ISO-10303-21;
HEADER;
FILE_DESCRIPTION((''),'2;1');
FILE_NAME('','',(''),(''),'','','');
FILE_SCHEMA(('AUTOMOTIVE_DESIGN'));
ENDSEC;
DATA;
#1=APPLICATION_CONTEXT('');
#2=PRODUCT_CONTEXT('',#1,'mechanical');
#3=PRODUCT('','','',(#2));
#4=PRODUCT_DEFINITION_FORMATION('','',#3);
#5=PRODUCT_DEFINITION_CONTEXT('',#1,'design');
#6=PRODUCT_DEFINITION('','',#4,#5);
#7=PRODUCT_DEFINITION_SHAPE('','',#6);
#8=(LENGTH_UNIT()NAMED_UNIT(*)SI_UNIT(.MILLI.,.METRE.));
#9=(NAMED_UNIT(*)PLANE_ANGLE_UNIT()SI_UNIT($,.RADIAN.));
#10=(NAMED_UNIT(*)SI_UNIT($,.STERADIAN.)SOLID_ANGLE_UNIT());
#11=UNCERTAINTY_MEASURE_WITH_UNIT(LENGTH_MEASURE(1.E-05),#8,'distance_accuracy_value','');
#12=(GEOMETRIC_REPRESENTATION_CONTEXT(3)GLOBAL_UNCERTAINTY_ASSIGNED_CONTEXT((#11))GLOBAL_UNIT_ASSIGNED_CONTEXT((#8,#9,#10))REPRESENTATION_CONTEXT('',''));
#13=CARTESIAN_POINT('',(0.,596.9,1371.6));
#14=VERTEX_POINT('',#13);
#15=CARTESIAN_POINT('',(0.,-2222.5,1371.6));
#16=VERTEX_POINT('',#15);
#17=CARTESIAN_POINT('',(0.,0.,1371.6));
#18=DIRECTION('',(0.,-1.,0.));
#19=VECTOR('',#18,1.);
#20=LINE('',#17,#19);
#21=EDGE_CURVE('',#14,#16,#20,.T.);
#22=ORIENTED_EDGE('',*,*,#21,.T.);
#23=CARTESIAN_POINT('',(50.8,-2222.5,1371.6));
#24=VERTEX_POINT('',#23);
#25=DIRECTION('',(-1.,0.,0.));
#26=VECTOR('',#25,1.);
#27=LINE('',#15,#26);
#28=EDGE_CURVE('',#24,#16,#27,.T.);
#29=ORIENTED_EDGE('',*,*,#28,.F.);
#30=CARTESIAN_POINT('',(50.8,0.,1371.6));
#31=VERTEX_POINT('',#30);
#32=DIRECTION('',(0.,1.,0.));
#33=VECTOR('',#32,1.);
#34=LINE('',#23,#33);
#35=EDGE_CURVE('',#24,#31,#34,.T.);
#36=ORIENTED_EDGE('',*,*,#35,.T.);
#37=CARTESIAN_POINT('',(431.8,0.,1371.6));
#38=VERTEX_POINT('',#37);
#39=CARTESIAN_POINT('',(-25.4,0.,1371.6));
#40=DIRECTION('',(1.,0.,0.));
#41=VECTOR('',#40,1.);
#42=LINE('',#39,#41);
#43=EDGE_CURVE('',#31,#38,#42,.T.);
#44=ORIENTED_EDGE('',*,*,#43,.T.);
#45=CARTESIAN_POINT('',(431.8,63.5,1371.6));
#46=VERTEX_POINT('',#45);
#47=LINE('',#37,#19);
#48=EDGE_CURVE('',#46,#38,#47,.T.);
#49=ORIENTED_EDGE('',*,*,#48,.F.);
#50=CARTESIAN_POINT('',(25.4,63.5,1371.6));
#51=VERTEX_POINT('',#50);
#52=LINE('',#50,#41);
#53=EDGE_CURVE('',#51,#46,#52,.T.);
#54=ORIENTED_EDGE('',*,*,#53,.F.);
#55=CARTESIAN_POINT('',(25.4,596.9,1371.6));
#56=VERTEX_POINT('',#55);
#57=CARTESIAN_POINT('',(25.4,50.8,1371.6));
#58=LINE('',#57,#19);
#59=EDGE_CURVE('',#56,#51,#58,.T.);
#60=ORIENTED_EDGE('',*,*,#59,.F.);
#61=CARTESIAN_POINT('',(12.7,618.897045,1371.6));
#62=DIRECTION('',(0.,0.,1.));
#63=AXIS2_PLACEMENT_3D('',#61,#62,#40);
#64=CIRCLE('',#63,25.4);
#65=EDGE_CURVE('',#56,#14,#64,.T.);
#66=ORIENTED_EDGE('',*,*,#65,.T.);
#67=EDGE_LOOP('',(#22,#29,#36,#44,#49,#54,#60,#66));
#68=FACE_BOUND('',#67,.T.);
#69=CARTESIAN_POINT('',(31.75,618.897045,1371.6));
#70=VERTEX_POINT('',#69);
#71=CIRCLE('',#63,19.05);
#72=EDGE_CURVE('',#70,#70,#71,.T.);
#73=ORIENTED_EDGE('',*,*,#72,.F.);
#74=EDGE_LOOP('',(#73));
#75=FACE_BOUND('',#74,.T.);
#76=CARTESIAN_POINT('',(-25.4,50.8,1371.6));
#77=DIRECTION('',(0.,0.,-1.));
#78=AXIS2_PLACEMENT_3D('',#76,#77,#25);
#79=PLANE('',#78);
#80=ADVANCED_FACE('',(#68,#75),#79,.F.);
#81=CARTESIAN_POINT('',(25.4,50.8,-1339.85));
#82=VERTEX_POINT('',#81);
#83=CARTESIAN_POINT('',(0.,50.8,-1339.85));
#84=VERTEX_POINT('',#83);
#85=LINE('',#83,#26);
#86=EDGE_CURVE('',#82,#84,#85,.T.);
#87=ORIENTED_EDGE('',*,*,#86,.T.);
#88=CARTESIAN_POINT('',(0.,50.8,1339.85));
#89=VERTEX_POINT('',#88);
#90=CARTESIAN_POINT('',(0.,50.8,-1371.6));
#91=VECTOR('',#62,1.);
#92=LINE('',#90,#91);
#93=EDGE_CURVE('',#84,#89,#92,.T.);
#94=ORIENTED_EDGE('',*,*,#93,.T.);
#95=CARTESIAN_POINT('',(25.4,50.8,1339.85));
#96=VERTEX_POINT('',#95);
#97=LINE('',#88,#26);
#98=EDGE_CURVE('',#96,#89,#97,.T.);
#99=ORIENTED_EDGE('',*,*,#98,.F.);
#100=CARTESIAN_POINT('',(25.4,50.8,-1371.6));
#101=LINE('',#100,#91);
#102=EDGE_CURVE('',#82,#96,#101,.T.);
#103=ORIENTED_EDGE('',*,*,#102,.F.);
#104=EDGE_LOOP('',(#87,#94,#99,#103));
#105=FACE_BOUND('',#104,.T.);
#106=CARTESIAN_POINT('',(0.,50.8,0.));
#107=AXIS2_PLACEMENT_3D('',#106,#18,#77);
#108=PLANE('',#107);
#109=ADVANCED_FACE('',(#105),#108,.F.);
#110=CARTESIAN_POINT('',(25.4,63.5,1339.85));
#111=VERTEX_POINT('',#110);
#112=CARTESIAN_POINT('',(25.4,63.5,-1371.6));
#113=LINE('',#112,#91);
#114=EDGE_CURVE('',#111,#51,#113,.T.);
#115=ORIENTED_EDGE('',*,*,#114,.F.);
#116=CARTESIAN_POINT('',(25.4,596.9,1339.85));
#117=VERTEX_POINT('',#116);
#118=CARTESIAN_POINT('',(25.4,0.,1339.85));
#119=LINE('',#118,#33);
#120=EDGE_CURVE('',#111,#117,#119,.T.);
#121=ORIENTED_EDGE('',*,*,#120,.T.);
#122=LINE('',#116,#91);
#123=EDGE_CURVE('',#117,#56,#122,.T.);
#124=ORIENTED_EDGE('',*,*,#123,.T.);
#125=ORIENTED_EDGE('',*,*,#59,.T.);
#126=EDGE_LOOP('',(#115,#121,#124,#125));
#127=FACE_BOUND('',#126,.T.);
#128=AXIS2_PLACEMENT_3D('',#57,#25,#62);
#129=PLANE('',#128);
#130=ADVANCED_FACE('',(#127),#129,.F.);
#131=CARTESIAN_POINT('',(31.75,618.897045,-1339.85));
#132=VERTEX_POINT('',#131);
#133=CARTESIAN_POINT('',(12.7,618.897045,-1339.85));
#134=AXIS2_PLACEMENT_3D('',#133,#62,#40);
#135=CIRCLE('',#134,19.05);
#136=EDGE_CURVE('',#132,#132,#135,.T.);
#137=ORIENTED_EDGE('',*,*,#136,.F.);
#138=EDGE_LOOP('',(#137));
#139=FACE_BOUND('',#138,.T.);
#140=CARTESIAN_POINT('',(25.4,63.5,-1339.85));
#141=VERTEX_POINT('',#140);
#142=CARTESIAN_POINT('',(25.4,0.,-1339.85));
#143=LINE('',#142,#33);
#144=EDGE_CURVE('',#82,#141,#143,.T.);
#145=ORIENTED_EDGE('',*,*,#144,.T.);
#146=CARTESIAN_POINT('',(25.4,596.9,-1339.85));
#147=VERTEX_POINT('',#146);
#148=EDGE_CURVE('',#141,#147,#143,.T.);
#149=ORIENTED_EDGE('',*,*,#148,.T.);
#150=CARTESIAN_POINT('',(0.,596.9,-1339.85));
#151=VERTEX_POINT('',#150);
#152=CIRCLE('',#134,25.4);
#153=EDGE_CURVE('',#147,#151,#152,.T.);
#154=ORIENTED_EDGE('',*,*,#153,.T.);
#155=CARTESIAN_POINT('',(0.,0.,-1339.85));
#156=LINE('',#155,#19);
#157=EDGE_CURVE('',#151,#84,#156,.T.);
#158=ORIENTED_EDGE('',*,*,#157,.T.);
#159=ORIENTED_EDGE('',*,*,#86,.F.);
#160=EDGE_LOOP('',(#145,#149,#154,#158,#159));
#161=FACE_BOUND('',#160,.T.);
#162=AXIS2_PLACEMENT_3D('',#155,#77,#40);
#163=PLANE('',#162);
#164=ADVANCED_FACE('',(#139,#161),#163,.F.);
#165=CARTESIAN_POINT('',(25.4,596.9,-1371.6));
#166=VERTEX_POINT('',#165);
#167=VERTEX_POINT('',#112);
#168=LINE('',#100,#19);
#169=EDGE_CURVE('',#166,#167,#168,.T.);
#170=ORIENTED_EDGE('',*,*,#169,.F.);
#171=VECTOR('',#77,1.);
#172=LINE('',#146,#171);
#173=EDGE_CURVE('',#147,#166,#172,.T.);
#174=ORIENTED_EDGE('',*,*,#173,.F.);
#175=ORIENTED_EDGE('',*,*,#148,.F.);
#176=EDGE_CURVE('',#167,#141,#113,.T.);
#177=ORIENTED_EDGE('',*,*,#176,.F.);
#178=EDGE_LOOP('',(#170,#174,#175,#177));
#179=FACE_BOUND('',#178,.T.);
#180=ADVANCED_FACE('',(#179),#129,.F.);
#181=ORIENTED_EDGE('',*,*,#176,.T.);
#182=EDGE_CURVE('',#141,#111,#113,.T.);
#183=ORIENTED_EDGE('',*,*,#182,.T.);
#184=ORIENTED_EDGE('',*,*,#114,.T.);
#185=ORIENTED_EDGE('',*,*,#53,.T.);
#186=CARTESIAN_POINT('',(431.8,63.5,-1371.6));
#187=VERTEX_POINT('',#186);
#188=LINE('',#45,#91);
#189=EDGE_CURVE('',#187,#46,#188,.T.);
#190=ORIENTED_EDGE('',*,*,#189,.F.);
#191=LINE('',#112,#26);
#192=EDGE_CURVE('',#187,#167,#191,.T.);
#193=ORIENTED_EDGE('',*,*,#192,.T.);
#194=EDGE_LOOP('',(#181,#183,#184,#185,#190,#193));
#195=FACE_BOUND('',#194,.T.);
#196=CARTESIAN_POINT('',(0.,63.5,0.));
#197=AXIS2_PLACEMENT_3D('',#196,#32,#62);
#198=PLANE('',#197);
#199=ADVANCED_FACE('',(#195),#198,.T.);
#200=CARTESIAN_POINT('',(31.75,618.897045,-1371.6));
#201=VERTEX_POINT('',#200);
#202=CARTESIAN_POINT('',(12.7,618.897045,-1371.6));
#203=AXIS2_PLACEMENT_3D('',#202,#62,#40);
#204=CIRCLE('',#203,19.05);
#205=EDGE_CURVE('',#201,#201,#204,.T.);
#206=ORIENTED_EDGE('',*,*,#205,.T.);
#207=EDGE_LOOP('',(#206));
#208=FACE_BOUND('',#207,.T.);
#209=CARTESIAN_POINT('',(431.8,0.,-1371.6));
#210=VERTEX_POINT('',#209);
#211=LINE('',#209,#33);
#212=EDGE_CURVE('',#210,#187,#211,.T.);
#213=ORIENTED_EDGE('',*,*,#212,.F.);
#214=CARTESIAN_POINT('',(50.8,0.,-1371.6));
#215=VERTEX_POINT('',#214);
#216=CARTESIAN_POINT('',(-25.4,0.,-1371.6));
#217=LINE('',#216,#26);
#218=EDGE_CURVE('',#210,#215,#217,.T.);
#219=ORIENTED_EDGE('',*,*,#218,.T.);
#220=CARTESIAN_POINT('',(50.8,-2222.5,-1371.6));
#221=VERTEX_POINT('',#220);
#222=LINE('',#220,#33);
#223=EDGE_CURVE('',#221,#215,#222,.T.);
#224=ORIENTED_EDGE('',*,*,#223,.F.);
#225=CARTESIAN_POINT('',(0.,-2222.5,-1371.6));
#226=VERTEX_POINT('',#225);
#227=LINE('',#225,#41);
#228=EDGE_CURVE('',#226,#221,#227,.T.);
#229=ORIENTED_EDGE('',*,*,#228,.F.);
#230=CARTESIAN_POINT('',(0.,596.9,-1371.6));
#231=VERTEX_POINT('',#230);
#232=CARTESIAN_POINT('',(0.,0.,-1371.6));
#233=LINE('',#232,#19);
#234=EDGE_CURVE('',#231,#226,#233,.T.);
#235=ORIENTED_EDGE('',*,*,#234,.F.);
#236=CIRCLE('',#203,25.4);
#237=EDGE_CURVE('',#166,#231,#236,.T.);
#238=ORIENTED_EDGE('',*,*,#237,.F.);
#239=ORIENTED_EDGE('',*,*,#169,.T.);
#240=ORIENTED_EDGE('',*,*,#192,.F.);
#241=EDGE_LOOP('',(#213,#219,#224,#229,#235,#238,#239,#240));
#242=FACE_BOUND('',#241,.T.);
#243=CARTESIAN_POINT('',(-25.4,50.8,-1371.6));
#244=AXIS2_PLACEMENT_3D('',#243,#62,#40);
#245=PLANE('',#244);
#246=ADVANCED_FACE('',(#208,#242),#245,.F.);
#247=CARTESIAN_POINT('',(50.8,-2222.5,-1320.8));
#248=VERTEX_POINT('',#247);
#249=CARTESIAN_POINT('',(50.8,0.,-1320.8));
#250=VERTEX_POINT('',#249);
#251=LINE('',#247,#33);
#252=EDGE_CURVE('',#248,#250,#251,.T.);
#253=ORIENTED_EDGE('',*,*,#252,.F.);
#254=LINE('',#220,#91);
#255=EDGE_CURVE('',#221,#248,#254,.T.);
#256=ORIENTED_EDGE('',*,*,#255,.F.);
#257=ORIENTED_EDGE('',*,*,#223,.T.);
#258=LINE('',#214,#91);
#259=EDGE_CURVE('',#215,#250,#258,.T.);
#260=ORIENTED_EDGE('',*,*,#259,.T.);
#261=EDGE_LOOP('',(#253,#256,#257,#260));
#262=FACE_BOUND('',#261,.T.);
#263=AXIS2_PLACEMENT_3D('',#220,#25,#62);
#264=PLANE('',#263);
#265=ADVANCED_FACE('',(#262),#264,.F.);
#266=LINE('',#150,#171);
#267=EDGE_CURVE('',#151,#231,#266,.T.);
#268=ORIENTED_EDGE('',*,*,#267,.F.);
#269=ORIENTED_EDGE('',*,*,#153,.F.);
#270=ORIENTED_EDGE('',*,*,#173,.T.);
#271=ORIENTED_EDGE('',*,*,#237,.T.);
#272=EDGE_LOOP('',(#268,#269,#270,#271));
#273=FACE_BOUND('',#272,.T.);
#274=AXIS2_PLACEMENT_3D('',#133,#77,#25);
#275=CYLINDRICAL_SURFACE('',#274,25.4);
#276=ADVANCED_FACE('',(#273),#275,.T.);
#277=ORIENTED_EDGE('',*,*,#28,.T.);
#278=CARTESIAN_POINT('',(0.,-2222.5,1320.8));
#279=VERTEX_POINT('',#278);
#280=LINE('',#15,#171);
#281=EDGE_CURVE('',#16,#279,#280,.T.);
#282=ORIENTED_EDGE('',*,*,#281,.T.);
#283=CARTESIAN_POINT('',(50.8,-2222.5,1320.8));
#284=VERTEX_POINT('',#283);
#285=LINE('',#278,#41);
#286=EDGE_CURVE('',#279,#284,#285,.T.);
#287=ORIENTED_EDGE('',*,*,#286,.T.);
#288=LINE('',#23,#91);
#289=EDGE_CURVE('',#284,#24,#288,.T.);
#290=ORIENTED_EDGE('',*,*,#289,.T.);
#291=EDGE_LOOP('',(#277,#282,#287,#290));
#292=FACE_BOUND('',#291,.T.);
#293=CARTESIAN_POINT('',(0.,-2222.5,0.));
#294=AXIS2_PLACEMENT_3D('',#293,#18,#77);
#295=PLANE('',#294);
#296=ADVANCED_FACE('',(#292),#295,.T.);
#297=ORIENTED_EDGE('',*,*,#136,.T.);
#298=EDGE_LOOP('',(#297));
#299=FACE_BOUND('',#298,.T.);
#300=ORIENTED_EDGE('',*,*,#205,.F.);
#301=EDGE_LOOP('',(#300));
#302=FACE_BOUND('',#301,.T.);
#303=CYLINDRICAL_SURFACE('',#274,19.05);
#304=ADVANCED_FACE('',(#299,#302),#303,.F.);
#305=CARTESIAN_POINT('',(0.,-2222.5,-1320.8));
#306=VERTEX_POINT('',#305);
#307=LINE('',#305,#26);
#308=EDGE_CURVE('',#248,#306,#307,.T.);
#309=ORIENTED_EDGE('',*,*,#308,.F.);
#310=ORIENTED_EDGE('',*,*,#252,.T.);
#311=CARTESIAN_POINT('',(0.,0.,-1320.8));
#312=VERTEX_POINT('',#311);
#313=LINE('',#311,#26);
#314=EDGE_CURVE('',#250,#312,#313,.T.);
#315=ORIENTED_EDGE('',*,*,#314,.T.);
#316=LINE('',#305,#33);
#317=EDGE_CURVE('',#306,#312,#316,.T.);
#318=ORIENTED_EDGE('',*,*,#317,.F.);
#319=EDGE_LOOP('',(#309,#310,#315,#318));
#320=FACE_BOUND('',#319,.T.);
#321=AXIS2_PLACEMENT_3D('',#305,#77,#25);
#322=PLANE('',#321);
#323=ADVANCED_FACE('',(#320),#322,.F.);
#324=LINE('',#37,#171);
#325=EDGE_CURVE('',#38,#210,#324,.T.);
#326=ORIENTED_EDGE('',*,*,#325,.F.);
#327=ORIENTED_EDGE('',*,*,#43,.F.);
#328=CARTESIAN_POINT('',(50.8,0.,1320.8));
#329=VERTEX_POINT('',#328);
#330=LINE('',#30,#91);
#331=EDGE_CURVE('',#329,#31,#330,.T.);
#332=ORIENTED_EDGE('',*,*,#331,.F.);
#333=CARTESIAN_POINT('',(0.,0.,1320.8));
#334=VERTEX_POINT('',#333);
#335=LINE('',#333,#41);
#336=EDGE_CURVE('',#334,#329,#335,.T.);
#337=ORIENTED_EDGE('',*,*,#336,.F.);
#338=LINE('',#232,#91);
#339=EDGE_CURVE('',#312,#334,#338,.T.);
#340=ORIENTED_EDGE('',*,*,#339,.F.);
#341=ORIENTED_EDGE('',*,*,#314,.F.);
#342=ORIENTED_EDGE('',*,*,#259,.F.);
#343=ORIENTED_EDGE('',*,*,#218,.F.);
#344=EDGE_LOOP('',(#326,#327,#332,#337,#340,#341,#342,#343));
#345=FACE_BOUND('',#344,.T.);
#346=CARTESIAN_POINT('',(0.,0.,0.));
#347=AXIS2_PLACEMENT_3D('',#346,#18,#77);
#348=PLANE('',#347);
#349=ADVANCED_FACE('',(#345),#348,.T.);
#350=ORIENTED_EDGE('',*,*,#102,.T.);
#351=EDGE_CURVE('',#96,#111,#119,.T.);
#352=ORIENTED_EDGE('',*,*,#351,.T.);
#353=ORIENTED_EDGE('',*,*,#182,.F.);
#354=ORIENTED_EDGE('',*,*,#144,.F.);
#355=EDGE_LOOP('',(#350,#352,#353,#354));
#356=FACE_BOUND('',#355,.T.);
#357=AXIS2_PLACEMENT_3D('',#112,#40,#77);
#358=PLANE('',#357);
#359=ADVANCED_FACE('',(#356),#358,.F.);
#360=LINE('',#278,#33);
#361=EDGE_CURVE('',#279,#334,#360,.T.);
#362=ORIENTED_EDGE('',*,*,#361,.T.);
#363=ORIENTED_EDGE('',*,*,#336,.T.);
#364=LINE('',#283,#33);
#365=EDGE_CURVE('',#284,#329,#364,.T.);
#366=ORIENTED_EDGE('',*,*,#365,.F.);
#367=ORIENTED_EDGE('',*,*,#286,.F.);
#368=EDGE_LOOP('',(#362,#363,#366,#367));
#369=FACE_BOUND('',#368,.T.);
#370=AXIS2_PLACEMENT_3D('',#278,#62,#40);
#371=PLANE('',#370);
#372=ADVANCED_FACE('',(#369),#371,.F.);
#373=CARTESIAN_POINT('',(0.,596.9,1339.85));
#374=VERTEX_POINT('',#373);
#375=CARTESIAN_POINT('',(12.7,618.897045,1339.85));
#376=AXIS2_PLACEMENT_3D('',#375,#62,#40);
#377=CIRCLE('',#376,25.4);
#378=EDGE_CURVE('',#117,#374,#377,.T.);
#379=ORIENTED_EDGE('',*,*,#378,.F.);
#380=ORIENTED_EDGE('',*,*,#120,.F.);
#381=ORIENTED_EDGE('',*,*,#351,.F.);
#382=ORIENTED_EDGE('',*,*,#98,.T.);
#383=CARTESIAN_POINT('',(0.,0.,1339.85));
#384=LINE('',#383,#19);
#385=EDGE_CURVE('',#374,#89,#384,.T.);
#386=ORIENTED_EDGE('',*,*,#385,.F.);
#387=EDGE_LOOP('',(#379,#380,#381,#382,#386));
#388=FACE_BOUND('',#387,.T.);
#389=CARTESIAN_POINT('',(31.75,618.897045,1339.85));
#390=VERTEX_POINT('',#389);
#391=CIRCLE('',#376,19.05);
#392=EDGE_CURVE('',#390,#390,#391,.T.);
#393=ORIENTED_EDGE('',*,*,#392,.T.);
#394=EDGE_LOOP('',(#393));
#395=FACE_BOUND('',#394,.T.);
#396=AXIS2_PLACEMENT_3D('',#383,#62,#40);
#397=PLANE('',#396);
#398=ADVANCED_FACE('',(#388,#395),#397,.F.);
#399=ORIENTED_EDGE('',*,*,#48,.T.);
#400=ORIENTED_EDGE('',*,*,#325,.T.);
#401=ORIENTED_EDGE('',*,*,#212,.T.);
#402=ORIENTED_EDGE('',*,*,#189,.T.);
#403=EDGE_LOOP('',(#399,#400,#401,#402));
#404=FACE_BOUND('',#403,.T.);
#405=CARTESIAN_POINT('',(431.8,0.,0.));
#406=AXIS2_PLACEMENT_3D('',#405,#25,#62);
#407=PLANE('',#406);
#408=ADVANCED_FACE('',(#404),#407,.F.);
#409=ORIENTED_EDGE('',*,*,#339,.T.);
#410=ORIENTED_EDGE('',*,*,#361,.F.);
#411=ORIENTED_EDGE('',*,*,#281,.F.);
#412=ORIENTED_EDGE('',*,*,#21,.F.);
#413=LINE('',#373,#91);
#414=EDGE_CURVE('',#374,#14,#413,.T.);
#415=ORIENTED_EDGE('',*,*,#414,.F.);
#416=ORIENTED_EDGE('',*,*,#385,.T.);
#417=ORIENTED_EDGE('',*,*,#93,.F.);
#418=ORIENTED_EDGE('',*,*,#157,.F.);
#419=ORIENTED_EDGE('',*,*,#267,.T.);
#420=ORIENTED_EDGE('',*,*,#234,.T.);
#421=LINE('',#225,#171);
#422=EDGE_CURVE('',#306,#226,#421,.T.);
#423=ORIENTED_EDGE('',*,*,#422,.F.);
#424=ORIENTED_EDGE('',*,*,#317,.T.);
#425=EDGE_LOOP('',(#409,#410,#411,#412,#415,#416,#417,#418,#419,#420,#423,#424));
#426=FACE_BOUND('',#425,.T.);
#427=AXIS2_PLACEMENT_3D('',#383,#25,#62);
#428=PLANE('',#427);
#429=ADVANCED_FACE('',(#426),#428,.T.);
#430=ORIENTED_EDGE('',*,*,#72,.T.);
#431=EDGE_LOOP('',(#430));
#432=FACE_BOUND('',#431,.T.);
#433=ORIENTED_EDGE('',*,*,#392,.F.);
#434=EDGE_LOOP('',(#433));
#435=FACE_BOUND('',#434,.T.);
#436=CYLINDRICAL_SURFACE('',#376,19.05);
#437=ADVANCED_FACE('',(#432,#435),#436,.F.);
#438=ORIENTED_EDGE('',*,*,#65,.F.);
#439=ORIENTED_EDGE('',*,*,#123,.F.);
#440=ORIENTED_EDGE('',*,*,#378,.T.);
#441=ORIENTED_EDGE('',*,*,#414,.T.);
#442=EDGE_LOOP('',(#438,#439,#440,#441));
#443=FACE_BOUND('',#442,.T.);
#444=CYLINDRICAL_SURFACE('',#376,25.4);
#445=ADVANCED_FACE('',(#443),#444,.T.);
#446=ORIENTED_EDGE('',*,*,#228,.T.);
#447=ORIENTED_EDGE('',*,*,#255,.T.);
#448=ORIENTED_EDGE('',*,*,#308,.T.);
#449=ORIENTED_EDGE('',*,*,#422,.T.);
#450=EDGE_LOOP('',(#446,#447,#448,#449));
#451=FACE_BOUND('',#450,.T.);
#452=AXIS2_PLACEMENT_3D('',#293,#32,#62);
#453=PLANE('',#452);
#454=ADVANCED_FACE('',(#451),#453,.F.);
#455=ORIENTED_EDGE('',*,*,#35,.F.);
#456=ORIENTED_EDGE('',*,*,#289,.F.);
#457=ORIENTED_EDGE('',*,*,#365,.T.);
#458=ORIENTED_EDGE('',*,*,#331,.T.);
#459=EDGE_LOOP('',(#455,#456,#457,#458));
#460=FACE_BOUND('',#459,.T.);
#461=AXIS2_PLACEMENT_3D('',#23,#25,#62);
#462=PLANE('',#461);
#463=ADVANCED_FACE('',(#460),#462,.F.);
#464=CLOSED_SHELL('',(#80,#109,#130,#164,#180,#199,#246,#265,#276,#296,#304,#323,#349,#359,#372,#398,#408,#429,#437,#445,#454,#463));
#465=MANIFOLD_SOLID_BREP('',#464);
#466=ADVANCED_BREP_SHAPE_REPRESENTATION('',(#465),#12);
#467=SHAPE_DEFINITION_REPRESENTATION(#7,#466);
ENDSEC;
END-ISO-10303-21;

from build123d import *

# Parameters (mm, degrees)
SKETCH1_W               = 50.8
SKETCH1_H               = 2743.2
BOSS_EXTRUDE1_DEPTH     = 50.8
SKETCH2_R               = 19.05
BOSS_EXTRUDE2_DEPTH     = 31.75
SKETCH3_W               = 2743.2
SKETCH3_H               = 50.8
BOSS_EXTRUDE3_DEPTH     = 279.4
SKETCH4_W               = 279.4
SKETCH4_H               = 2743.2
BOSS_EXTRUDE4_DEPTH     = 12.7
SKETCH9_W               = 2743.2
SKETCH9_H               = 63.5
BOSS_EXTRUDE8_DEPTH     = 127
CUT_EXTRUDE1_DEPTH      = 2851.739581675
CUT_EXTRUDE1_DEPTH_BACK = 2851.739581675
SKETCH10_W              = 25.4
SKETCH10_H              = 50.8
SKETCH11_W              = 50.8
SKETCH11_H              = 50.8
BOSS_EXTRUDE9_DEPTH     = 2222.5


with BuildPart() as part:
    # Sketch1 → Boss-Extrude1 (new body)
    with BuildSketch(Plane(origin=(0, 0, 0), x_dir=(1, 0, 0), z_dir=(0, 1, 0))):
        Rectangle(SKETCH1_W, SKETCH1_H)
    extrude(amount=BOSS_EXTRUDE1_DEPTH)

    # Sketch2 → Boss-Extrude2 (add)
    with BuildSketch(Plane.XY.offset(1371.6)):
        with BuildLine():
            Line((0, 50.8), (25.4, 50.8))
            Line((25.4, 50.8), (25.4, 596.9))
            ThreePointArc((25.4, 596.9), (12.7, 644.297045256), (0, 596.9))
            Line((0, 596.9), (0, 50.8))
        make_face()
        with Locations((12.7, 618.897045256)):
            Circle(SKETCH2_R, mode=Mode.SUBTRACT)
    boss_extrude2 = extrude(amount=-BOSS_EXTRUDE2_DEPTH)

    # Mirror1: Boss-Extrude2 across plane
    add(boss_extrude2.mirror(Plane.XY))

    # Sketch3 → Boss-Extrude3 (add)
    with BuildSketch(Plane(origin=(25.4, 0, 0), x_dir=(0, 0, -1), z_dir=(1, 0, 0))):
        with Locations((0, 25.4)):
            Rectangle(SKETCH3_W, SKETCH3_H)
    extrude(amount=BOSS_EXTRUDE3_DEPTH)

    # Sketch4 → Boss-Extrude4 (add)
    with BuildSketch(Plane(origin=(0, 50.8, 0), x_dir=(1, 0, 0), z_dir=(0, 1, 0))):
        with Locations((165.1, 0)):
            Rectangle(SKETCH4_W, SKETCH4_H)
    extrude(amount=BOSS_EXTRUDE4_DEPTH)

    # Sketch9 → Boss-Extrude8 (add)
    with BuildSketch(Plane(origin=(304.8, 0, 0), x_dir=(0, 0, -1), z_dir=(1, 0, 0))):
        with Locations((0, 31.75)):
            Rectangle(SKETCH9_W, SKETCH9_H)
    extrude(amount=BOSS_EXTRUDE8_DEPTH)

    # Sketch10 → Cut-Extrude1 (cut, two sides: drawn at the far end of the back side and taken through both)
    with BuildSketch(Plane.XY.offset(1371.6).offset(-CUT_EXTRUDE1_DEPTH_BACK)):
        with Locations((-12.7, 25.4)):
            Rectangle(SKETCH10_W, SKETCH10_H)
    extrude(amount=CUT_EXTRUDE1_DEPTH + CUT_EXTRUDE1_DEPTH_BACK, mode=Mode.SUBTRACT)

    # Sketch11 → Boss-Extrude9 (add)
    with BuildSketch(Plane.XZ):
        with Locations((25.4, 1346.2)):
            Rectangle(SKETCH11_W, SKETCH11_H)
        with Locations((25.4, -1346.2)):
            Rectangle(SKETCH11_W, SKETCH11_H)
    extrude(amount=BOSS_EXTRUDE9_DEPTH)


solid = part.part
